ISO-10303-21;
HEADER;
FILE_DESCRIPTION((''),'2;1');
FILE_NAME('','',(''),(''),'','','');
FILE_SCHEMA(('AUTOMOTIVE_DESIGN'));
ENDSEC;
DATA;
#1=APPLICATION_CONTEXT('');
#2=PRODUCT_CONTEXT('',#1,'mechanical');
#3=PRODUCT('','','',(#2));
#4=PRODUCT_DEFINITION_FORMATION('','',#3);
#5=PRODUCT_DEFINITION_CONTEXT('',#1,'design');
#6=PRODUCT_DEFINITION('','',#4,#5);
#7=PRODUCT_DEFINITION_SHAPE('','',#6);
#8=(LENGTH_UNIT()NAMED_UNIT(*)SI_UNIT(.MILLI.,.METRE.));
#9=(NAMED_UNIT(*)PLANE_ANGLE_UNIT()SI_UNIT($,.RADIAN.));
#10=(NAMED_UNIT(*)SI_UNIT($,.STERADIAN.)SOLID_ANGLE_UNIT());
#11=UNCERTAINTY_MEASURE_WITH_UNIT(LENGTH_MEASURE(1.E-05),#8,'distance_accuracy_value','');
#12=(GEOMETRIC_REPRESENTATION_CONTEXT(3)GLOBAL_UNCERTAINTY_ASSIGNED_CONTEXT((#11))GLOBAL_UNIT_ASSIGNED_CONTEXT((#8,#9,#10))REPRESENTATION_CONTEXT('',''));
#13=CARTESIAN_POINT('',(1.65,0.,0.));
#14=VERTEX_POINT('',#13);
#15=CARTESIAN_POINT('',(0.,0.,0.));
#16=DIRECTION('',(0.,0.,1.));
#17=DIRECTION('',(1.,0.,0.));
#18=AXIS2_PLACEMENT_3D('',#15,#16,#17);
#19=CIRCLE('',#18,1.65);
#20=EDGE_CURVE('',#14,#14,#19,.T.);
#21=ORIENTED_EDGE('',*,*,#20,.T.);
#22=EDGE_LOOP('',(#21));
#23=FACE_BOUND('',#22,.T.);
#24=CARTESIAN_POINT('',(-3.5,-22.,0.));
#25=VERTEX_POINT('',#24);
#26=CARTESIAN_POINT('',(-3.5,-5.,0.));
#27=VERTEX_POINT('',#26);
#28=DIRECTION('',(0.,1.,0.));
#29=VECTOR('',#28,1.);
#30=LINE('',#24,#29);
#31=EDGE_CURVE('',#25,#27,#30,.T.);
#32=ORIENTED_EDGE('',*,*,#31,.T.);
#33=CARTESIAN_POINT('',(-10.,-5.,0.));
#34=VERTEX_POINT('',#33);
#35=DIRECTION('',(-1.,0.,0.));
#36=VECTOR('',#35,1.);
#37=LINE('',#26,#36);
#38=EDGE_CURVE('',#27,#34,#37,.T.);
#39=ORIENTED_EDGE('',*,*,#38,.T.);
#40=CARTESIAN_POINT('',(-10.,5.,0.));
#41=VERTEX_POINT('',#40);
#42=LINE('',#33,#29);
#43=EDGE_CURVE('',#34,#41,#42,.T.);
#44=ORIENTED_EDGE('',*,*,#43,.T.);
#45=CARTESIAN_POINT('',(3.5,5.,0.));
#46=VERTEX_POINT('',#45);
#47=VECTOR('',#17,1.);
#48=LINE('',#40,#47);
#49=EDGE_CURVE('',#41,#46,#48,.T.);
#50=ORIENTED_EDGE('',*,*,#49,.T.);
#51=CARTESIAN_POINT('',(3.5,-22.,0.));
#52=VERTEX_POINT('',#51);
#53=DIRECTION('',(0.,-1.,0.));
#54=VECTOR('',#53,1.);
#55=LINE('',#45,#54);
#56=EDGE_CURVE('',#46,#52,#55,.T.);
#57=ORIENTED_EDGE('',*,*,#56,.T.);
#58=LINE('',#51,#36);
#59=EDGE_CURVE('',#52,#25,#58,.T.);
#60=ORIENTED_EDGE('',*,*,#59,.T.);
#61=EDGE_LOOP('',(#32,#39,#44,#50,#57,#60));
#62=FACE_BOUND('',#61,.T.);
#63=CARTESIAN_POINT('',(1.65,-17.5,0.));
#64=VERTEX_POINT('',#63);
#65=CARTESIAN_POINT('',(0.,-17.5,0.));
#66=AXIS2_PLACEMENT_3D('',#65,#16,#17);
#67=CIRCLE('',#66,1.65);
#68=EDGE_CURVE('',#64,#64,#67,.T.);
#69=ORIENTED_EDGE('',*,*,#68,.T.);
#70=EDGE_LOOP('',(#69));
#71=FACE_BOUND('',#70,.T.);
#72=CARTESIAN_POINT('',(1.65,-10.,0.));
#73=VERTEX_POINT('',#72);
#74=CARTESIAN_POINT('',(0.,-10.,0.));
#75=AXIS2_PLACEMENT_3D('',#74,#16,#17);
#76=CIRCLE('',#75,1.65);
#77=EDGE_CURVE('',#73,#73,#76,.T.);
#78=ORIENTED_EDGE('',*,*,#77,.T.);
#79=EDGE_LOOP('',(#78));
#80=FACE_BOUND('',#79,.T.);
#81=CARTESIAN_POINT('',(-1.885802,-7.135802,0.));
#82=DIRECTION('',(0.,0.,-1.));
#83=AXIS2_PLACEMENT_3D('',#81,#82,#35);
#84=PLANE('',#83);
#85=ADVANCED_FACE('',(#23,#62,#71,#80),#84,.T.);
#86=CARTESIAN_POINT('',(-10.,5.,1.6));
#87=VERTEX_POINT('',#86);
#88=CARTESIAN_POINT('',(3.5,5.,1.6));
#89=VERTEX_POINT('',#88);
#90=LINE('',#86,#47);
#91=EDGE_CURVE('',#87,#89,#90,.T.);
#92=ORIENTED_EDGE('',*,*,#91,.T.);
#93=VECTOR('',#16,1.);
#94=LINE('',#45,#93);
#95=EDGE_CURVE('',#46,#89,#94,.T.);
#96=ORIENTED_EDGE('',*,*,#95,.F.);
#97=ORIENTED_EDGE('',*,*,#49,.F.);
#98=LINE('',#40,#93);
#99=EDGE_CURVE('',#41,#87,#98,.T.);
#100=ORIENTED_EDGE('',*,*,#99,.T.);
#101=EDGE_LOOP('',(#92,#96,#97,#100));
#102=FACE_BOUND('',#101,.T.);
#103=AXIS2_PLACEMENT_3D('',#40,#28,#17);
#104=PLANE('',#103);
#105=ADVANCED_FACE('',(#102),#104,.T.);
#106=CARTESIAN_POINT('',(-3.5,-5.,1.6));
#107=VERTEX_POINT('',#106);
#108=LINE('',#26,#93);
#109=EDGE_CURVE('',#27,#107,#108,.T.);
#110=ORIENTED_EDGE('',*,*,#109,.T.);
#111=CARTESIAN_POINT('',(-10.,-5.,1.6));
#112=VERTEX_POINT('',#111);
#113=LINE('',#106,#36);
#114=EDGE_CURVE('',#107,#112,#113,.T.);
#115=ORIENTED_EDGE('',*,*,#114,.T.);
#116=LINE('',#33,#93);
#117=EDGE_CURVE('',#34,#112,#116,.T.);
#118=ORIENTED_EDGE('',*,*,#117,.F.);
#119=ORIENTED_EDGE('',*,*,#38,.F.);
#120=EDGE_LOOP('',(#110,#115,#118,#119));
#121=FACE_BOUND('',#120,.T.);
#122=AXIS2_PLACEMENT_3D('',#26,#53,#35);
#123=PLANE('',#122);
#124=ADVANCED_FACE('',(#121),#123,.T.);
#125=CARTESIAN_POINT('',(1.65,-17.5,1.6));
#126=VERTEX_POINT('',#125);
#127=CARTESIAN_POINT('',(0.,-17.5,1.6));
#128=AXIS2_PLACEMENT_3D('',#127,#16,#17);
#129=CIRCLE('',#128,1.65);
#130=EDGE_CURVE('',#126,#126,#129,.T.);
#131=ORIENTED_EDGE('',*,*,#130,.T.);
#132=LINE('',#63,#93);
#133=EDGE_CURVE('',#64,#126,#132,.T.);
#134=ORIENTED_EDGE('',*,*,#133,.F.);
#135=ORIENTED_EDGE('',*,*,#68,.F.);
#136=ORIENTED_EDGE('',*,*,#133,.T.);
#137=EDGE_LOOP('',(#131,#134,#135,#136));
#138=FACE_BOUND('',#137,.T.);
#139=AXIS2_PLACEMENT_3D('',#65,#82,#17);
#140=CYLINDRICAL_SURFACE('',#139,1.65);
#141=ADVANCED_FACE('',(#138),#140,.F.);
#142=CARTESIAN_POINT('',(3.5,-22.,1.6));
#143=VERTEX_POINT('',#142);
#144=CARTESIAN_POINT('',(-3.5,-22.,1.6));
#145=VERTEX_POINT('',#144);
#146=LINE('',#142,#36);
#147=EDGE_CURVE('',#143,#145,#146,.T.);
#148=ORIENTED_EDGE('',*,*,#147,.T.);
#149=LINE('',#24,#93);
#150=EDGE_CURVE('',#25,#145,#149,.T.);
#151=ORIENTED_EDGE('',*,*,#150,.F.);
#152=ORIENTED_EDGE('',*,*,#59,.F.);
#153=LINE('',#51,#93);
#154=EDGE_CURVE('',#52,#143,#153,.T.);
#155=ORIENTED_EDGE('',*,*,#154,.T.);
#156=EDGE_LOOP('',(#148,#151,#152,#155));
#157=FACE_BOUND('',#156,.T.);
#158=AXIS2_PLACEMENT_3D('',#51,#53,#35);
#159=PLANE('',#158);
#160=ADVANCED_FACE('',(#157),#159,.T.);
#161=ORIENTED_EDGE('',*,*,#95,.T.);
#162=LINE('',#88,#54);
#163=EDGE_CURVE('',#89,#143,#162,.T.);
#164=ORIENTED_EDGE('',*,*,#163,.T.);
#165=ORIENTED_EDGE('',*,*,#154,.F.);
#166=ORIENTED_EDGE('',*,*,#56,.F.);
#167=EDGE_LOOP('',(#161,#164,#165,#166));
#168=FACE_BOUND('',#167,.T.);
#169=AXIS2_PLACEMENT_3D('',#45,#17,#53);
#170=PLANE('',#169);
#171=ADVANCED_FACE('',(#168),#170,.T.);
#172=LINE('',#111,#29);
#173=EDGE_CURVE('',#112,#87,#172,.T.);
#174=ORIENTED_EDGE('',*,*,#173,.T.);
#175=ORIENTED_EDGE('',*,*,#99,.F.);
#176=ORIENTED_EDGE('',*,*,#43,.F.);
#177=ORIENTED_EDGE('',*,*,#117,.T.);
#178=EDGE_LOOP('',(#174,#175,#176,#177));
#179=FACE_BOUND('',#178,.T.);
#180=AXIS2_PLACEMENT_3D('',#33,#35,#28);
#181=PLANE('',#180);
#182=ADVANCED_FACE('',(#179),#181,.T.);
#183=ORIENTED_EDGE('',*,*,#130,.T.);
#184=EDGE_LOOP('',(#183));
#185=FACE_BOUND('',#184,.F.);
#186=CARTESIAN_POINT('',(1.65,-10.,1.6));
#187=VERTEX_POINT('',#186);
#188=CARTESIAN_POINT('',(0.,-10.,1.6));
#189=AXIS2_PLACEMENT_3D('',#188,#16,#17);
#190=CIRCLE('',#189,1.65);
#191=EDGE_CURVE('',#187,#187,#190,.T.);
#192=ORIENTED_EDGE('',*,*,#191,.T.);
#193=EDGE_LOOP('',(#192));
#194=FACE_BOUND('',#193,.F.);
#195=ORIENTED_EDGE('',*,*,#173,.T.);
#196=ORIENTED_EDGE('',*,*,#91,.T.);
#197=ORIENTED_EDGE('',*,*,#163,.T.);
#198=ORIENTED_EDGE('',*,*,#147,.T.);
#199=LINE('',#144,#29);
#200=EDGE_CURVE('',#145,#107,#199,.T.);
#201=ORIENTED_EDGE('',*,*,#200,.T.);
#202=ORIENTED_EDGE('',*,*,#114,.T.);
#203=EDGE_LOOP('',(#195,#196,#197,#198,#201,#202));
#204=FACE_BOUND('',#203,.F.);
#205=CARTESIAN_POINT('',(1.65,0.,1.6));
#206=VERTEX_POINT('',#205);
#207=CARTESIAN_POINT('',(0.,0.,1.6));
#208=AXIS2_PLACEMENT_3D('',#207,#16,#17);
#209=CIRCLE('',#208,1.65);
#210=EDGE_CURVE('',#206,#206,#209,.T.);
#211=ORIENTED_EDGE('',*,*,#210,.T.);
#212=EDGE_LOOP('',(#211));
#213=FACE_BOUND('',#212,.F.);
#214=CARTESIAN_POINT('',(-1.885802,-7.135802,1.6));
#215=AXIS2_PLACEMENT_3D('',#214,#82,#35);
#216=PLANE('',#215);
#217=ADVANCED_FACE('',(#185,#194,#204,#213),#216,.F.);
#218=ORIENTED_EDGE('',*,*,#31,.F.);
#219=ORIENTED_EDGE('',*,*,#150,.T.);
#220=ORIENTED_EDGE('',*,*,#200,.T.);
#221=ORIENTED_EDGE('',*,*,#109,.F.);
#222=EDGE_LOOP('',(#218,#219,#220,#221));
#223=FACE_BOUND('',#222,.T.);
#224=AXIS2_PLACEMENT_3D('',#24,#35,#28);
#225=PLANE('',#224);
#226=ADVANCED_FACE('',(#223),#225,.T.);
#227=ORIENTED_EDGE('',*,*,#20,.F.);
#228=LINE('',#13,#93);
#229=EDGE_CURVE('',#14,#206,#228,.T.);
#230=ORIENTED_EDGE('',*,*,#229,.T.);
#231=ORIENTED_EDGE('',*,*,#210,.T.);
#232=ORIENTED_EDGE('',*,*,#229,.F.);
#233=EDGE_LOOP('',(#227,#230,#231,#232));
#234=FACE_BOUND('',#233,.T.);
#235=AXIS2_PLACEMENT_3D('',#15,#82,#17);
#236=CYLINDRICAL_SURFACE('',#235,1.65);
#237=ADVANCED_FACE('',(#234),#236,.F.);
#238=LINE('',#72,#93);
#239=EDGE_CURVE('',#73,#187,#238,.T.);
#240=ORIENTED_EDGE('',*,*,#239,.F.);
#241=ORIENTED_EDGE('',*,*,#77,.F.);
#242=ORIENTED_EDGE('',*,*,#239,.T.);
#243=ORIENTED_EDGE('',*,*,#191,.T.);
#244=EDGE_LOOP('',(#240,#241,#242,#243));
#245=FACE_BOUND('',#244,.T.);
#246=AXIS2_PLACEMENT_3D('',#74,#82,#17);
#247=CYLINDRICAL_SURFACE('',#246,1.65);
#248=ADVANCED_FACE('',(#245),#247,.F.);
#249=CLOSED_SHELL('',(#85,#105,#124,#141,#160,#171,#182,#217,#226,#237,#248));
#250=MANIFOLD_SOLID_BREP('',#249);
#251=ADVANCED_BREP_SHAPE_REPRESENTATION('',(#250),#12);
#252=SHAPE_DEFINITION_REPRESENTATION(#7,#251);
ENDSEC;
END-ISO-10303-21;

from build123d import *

# Parameters (mm, degrees)
SKETCH_R  = 1.65
PAD_DEPTH = 1.6


with BuildPart() as part:
    # Sketch → Pad (new body)
    with BuildSketch(Plane.XY):
        Polygon((3.5, 5), (3.5, -22), (-3.5, -22), (-3.5, -5), (-10, -5), (-10, 5), align=None)
        Circle(SKETCH_R, mode=Mode.SUBTRACT)
        with Locations((0, -10)):
            Circle(SKETCH_R, mode=Mode.SUBTRACT)
        with Locations((0, -17.5)):
            Circle(SKETCH_R, mode=Mode.SUBTRACT)
    extrude(amount=PAD_DEPTH)


solid = part.part
